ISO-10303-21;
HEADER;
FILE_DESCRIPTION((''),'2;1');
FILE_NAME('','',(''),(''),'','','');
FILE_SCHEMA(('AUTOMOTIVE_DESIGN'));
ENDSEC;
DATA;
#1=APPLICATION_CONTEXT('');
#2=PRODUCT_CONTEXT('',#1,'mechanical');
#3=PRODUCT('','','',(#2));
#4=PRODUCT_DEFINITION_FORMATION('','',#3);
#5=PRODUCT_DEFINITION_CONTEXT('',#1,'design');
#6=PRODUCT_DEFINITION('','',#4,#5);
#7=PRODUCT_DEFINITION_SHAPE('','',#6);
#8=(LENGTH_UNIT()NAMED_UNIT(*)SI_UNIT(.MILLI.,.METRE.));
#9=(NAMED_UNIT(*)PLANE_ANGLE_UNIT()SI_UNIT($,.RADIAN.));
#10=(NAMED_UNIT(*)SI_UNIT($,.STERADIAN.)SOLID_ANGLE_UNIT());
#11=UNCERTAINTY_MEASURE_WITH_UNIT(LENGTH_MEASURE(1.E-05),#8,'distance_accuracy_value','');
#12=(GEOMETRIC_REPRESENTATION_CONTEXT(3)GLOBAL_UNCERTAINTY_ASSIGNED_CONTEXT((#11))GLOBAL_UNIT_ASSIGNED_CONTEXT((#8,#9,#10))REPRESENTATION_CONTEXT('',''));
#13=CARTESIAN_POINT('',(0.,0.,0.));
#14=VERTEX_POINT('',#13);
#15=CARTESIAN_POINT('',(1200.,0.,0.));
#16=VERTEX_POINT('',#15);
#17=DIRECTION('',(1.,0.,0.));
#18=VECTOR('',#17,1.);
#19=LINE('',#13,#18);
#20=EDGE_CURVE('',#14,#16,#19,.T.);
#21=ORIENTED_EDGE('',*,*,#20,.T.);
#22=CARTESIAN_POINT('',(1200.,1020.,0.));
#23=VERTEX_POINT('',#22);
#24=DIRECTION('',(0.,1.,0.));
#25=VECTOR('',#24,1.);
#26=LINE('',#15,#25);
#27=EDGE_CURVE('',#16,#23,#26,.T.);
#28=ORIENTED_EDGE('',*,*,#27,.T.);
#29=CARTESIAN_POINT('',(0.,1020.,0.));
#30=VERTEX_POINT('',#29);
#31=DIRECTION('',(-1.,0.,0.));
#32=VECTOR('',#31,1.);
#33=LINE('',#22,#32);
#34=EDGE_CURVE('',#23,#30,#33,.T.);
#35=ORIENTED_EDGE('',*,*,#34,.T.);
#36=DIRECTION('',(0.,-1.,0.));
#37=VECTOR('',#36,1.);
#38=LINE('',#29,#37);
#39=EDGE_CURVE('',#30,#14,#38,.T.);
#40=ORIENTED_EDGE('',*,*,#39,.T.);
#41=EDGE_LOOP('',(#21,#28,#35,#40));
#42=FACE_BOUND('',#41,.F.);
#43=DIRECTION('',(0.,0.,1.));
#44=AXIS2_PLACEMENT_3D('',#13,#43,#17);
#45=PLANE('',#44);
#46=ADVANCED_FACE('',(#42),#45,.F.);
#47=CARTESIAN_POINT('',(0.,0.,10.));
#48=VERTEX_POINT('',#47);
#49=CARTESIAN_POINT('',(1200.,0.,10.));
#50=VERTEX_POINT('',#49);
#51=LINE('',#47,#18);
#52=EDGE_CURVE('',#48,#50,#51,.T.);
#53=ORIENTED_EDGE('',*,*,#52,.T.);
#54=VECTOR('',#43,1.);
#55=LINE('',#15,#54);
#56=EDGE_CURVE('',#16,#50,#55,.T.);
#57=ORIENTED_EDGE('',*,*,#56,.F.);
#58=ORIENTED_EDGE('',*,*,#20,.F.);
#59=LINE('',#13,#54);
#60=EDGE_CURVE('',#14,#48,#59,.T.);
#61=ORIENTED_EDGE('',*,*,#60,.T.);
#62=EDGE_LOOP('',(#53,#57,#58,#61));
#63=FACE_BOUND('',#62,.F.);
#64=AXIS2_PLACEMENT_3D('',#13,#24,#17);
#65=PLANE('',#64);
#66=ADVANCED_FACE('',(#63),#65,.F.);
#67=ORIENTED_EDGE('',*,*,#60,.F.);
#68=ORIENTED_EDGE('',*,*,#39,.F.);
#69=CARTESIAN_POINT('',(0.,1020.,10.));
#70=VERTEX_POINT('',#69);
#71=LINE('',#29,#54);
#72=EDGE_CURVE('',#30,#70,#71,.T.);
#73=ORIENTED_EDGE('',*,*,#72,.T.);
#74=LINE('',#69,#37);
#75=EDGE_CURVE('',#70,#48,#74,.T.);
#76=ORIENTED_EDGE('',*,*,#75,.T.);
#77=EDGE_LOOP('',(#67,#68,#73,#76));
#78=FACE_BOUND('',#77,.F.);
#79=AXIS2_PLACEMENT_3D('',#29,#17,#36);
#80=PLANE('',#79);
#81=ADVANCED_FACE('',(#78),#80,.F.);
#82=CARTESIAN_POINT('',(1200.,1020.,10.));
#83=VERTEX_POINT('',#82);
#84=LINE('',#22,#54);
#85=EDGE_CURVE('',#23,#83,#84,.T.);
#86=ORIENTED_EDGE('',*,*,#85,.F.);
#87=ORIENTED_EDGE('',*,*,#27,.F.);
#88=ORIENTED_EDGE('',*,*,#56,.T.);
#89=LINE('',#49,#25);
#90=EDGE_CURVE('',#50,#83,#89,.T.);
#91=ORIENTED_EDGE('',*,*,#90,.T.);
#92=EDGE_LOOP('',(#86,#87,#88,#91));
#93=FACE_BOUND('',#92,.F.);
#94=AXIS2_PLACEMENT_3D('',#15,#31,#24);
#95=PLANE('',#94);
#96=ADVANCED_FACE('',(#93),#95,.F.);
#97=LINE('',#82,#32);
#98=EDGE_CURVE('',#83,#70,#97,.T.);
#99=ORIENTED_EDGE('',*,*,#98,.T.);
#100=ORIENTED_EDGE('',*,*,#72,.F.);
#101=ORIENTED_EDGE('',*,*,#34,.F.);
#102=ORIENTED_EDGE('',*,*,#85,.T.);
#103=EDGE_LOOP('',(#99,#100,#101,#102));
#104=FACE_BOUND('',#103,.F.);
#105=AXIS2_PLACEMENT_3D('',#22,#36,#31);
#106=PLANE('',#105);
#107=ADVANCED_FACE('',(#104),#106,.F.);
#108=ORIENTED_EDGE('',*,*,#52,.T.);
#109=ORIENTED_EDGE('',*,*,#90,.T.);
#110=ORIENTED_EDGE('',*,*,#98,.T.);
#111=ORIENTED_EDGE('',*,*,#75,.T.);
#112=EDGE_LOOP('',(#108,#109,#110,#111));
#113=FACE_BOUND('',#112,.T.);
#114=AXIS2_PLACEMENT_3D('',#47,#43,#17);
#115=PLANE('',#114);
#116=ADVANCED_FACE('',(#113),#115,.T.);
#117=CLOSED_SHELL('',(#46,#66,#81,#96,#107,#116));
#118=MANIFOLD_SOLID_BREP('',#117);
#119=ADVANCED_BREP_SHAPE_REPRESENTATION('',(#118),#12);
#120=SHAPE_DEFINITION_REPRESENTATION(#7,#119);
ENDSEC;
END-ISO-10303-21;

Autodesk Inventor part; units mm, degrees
ref_plane "YZ Plane" through (0, 0, 0) normal (1, 0, 0) x (0, 1, 0)
ref_plane "XZ Plane" through (0, 0, 0) normal (0, 1, 0) x (-1, 0, 0)
ref_plane "XY Plane" through (0, 0, 0) normal (0, 0, 1) x (1, 0, 0)
sketch "Esboço1" plane through (0, 0, 0) normal (0, 0, 1) x (1, 0, 0)
  line L0 (0, 0) -> (1200, 0)
  line L1 (1200, 0) -> (1200, 1020)
  line L2 (1200, 1020) -> (0, 1020)
  line L3 (0, 1020) -> (0, 0)
  dimension "d0" = 1020
  dimension "d1" = 1200
extrude "Extrusão1" add sketch "Esboço1" along normal blind 10
properties part number "tampa" material "Acrílico, transparente"
